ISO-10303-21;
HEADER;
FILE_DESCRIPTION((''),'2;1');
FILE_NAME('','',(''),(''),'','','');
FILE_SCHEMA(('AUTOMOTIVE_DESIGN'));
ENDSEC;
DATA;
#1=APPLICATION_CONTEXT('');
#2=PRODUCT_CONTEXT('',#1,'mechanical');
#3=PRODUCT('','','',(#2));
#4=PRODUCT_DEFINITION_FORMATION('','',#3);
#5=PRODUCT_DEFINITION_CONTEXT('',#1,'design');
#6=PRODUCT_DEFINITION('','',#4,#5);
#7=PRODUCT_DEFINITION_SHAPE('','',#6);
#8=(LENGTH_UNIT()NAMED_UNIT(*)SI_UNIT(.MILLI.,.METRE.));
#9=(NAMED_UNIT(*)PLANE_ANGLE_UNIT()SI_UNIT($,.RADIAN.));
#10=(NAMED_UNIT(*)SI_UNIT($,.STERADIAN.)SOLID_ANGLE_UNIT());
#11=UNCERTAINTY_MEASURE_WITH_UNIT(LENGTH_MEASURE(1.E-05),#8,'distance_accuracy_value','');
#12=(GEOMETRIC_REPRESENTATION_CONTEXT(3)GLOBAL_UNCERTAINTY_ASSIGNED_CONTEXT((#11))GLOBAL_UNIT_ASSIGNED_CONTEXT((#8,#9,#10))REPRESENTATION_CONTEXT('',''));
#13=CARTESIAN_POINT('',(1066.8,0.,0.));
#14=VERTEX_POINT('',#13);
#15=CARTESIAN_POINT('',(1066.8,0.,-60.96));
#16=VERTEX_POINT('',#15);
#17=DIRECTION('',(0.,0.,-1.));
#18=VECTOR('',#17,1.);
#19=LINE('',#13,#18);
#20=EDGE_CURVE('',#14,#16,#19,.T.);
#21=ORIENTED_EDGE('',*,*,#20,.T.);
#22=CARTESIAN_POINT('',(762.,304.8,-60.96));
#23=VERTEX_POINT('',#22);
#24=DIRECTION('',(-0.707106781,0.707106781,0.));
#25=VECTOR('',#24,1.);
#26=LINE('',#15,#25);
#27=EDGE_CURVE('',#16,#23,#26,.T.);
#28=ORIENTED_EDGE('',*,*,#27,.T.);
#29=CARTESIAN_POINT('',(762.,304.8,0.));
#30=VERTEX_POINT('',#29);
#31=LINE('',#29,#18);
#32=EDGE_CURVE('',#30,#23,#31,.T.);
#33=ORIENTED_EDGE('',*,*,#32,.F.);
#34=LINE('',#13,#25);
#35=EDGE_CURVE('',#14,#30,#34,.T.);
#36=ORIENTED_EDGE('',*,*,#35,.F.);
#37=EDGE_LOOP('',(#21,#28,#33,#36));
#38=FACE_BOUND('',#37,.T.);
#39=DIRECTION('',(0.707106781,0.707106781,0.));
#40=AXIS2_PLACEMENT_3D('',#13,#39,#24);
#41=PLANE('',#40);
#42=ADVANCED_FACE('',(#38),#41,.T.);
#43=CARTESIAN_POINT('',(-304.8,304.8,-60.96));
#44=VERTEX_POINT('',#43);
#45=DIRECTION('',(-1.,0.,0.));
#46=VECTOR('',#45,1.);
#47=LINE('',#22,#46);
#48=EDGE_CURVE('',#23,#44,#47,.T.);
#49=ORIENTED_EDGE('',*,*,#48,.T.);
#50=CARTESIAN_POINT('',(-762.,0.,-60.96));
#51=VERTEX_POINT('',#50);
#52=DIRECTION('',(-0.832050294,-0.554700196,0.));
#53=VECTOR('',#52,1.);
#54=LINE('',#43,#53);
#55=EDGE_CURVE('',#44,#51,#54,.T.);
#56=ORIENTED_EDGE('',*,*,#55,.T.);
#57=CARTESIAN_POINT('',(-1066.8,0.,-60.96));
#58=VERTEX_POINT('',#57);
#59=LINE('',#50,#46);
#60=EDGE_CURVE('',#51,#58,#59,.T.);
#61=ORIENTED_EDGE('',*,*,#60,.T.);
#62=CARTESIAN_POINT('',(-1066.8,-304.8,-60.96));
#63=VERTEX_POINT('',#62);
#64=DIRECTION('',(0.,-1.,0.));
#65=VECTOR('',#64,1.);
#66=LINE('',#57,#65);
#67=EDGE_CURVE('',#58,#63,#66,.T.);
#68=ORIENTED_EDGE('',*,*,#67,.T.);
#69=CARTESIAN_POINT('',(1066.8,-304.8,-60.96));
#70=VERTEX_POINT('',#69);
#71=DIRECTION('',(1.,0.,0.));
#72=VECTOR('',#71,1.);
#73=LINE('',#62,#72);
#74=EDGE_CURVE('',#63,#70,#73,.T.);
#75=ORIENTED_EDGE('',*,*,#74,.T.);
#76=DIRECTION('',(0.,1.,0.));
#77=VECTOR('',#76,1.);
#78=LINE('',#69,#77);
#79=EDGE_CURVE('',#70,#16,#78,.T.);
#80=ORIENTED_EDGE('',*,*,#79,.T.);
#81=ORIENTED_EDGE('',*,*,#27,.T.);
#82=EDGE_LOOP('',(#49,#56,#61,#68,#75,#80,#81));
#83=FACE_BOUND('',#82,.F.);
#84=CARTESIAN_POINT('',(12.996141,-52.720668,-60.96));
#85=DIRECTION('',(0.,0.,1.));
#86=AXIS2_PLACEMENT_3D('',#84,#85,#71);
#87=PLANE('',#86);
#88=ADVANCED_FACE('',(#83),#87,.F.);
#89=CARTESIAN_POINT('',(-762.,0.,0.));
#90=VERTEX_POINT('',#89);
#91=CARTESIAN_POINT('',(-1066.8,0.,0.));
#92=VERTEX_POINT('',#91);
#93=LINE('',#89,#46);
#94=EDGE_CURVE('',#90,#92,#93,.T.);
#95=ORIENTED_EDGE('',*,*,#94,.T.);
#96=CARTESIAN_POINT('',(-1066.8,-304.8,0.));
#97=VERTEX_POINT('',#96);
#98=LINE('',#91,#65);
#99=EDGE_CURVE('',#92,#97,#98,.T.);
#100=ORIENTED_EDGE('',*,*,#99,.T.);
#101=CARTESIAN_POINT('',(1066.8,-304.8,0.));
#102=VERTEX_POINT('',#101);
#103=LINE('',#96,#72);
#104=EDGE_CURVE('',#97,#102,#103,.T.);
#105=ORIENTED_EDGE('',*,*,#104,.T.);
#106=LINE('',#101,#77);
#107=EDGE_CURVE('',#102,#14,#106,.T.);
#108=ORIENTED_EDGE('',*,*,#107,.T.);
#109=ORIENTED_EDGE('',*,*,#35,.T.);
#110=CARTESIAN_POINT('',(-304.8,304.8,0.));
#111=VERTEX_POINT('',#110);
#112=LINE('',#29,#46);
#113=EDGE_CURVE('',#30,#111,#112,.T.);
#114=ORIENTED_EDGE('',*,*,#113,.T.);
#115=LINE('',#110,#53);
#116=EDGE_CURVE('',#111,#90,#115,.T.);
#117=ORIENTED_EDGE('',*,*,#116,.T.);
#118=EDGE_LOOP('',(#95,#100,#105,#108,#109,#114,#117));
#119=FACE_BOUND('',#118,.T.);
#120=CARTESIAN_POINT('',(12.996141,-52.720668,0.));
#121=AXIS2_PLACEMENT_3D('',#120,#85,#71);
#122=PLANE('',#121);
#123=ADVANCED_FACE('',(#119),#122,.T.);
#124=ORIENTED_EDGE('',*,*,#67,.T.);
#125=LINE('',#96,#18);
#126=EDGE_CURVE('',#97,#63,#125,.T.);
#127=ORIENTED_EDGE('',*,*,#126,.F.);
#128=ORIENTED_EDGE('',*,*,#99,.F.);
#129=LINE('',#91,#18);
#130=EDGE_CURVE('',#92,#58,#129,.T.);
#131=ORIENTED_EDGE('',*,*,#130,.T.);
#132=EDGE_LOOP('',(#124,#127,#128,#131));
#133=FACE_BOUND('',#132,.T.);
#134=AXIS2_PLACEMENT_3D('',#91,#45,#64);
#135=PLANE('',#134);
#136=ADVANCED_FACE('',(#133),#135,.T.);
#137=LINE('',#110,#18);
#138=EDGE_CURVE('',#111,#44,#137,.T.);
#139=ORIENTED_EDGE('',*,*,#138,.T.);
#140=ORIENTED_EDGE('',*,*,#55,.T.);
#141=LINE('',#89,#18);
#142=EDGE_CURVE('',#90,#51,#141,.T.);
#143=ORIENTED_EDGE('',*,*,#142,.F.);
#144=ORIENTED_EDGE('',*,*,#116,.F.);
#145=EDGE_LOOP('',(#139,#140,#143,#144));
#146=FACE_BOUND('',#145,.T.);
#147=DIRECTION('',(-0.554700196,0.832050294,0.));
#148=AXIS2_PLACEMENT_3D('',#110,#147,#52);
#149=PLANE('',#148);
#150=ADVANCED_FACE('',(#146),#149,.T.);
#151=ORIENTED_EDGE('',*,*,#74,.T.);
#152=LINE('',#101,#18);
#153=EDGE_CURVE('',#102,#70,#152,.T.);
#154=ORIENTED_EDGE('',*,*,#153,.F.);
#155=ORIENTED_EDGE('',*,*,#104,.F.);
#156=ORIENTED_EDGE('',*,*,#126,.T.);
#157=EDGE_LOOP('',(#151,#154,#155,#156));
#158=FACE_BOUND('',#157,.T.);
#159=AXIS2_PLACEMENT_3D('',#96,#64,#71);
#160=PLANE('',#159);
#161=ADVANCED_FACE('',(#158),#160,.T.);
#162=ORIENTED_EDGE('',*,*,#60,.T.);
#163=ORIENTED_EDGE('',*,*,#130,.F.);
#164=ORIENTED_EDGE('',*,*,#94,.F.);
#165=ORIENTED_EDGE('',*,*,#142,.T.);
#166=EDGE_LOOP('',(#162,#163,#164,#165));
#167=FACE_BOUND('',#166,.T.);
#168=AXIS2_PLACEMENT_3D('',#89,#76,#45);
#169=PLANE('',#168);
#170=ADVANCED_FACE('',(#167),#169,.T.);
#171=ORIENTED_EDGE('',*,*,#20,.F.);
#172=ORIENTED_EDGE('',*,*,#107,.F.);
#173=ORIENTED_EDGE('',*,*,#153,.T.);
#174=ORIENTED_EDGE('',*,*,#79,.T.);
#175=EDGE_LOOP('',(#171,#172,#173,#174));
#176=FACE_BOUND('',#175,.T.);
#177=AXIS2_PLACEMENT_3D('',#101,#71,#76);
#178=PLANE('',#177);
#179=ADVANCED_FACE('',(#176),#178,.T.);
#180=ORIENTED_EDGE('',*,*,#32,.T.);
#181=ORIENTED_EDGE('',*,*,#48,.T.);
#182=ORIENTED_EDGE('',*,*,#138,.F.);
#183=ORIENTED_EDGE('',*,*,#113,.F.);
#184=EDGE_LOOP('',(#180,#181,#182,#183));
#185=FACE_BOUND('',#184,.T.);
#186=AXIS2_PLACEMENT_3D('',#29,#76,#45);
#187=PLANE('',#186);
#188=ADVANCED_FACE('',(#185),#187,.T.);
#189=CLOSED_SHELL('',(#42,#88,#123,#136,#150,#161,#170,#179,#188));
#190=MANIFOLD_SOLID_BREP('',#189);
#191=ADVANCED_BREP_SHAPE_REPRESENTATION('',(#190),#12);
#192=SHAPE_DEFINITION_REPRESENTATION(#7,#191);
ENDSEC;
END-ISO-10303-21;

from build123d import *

# Parameters (mm, degrees)
F1_DEPTH = 60.96


with BuildPart() as f1:
    # F0 (on Top) → F1 (new body)
    with BuildSketch(Plane.XY):
        Polygon((1066.8, 0), (762, 304.8), (-304.8, 304.8), (-762, 0), (-1066.8, 0), (-1066.8, -304.8), (1066.8, -304.8), align=None)
    extrude(amount=-F1_DEPTH)


solid = f1.part
